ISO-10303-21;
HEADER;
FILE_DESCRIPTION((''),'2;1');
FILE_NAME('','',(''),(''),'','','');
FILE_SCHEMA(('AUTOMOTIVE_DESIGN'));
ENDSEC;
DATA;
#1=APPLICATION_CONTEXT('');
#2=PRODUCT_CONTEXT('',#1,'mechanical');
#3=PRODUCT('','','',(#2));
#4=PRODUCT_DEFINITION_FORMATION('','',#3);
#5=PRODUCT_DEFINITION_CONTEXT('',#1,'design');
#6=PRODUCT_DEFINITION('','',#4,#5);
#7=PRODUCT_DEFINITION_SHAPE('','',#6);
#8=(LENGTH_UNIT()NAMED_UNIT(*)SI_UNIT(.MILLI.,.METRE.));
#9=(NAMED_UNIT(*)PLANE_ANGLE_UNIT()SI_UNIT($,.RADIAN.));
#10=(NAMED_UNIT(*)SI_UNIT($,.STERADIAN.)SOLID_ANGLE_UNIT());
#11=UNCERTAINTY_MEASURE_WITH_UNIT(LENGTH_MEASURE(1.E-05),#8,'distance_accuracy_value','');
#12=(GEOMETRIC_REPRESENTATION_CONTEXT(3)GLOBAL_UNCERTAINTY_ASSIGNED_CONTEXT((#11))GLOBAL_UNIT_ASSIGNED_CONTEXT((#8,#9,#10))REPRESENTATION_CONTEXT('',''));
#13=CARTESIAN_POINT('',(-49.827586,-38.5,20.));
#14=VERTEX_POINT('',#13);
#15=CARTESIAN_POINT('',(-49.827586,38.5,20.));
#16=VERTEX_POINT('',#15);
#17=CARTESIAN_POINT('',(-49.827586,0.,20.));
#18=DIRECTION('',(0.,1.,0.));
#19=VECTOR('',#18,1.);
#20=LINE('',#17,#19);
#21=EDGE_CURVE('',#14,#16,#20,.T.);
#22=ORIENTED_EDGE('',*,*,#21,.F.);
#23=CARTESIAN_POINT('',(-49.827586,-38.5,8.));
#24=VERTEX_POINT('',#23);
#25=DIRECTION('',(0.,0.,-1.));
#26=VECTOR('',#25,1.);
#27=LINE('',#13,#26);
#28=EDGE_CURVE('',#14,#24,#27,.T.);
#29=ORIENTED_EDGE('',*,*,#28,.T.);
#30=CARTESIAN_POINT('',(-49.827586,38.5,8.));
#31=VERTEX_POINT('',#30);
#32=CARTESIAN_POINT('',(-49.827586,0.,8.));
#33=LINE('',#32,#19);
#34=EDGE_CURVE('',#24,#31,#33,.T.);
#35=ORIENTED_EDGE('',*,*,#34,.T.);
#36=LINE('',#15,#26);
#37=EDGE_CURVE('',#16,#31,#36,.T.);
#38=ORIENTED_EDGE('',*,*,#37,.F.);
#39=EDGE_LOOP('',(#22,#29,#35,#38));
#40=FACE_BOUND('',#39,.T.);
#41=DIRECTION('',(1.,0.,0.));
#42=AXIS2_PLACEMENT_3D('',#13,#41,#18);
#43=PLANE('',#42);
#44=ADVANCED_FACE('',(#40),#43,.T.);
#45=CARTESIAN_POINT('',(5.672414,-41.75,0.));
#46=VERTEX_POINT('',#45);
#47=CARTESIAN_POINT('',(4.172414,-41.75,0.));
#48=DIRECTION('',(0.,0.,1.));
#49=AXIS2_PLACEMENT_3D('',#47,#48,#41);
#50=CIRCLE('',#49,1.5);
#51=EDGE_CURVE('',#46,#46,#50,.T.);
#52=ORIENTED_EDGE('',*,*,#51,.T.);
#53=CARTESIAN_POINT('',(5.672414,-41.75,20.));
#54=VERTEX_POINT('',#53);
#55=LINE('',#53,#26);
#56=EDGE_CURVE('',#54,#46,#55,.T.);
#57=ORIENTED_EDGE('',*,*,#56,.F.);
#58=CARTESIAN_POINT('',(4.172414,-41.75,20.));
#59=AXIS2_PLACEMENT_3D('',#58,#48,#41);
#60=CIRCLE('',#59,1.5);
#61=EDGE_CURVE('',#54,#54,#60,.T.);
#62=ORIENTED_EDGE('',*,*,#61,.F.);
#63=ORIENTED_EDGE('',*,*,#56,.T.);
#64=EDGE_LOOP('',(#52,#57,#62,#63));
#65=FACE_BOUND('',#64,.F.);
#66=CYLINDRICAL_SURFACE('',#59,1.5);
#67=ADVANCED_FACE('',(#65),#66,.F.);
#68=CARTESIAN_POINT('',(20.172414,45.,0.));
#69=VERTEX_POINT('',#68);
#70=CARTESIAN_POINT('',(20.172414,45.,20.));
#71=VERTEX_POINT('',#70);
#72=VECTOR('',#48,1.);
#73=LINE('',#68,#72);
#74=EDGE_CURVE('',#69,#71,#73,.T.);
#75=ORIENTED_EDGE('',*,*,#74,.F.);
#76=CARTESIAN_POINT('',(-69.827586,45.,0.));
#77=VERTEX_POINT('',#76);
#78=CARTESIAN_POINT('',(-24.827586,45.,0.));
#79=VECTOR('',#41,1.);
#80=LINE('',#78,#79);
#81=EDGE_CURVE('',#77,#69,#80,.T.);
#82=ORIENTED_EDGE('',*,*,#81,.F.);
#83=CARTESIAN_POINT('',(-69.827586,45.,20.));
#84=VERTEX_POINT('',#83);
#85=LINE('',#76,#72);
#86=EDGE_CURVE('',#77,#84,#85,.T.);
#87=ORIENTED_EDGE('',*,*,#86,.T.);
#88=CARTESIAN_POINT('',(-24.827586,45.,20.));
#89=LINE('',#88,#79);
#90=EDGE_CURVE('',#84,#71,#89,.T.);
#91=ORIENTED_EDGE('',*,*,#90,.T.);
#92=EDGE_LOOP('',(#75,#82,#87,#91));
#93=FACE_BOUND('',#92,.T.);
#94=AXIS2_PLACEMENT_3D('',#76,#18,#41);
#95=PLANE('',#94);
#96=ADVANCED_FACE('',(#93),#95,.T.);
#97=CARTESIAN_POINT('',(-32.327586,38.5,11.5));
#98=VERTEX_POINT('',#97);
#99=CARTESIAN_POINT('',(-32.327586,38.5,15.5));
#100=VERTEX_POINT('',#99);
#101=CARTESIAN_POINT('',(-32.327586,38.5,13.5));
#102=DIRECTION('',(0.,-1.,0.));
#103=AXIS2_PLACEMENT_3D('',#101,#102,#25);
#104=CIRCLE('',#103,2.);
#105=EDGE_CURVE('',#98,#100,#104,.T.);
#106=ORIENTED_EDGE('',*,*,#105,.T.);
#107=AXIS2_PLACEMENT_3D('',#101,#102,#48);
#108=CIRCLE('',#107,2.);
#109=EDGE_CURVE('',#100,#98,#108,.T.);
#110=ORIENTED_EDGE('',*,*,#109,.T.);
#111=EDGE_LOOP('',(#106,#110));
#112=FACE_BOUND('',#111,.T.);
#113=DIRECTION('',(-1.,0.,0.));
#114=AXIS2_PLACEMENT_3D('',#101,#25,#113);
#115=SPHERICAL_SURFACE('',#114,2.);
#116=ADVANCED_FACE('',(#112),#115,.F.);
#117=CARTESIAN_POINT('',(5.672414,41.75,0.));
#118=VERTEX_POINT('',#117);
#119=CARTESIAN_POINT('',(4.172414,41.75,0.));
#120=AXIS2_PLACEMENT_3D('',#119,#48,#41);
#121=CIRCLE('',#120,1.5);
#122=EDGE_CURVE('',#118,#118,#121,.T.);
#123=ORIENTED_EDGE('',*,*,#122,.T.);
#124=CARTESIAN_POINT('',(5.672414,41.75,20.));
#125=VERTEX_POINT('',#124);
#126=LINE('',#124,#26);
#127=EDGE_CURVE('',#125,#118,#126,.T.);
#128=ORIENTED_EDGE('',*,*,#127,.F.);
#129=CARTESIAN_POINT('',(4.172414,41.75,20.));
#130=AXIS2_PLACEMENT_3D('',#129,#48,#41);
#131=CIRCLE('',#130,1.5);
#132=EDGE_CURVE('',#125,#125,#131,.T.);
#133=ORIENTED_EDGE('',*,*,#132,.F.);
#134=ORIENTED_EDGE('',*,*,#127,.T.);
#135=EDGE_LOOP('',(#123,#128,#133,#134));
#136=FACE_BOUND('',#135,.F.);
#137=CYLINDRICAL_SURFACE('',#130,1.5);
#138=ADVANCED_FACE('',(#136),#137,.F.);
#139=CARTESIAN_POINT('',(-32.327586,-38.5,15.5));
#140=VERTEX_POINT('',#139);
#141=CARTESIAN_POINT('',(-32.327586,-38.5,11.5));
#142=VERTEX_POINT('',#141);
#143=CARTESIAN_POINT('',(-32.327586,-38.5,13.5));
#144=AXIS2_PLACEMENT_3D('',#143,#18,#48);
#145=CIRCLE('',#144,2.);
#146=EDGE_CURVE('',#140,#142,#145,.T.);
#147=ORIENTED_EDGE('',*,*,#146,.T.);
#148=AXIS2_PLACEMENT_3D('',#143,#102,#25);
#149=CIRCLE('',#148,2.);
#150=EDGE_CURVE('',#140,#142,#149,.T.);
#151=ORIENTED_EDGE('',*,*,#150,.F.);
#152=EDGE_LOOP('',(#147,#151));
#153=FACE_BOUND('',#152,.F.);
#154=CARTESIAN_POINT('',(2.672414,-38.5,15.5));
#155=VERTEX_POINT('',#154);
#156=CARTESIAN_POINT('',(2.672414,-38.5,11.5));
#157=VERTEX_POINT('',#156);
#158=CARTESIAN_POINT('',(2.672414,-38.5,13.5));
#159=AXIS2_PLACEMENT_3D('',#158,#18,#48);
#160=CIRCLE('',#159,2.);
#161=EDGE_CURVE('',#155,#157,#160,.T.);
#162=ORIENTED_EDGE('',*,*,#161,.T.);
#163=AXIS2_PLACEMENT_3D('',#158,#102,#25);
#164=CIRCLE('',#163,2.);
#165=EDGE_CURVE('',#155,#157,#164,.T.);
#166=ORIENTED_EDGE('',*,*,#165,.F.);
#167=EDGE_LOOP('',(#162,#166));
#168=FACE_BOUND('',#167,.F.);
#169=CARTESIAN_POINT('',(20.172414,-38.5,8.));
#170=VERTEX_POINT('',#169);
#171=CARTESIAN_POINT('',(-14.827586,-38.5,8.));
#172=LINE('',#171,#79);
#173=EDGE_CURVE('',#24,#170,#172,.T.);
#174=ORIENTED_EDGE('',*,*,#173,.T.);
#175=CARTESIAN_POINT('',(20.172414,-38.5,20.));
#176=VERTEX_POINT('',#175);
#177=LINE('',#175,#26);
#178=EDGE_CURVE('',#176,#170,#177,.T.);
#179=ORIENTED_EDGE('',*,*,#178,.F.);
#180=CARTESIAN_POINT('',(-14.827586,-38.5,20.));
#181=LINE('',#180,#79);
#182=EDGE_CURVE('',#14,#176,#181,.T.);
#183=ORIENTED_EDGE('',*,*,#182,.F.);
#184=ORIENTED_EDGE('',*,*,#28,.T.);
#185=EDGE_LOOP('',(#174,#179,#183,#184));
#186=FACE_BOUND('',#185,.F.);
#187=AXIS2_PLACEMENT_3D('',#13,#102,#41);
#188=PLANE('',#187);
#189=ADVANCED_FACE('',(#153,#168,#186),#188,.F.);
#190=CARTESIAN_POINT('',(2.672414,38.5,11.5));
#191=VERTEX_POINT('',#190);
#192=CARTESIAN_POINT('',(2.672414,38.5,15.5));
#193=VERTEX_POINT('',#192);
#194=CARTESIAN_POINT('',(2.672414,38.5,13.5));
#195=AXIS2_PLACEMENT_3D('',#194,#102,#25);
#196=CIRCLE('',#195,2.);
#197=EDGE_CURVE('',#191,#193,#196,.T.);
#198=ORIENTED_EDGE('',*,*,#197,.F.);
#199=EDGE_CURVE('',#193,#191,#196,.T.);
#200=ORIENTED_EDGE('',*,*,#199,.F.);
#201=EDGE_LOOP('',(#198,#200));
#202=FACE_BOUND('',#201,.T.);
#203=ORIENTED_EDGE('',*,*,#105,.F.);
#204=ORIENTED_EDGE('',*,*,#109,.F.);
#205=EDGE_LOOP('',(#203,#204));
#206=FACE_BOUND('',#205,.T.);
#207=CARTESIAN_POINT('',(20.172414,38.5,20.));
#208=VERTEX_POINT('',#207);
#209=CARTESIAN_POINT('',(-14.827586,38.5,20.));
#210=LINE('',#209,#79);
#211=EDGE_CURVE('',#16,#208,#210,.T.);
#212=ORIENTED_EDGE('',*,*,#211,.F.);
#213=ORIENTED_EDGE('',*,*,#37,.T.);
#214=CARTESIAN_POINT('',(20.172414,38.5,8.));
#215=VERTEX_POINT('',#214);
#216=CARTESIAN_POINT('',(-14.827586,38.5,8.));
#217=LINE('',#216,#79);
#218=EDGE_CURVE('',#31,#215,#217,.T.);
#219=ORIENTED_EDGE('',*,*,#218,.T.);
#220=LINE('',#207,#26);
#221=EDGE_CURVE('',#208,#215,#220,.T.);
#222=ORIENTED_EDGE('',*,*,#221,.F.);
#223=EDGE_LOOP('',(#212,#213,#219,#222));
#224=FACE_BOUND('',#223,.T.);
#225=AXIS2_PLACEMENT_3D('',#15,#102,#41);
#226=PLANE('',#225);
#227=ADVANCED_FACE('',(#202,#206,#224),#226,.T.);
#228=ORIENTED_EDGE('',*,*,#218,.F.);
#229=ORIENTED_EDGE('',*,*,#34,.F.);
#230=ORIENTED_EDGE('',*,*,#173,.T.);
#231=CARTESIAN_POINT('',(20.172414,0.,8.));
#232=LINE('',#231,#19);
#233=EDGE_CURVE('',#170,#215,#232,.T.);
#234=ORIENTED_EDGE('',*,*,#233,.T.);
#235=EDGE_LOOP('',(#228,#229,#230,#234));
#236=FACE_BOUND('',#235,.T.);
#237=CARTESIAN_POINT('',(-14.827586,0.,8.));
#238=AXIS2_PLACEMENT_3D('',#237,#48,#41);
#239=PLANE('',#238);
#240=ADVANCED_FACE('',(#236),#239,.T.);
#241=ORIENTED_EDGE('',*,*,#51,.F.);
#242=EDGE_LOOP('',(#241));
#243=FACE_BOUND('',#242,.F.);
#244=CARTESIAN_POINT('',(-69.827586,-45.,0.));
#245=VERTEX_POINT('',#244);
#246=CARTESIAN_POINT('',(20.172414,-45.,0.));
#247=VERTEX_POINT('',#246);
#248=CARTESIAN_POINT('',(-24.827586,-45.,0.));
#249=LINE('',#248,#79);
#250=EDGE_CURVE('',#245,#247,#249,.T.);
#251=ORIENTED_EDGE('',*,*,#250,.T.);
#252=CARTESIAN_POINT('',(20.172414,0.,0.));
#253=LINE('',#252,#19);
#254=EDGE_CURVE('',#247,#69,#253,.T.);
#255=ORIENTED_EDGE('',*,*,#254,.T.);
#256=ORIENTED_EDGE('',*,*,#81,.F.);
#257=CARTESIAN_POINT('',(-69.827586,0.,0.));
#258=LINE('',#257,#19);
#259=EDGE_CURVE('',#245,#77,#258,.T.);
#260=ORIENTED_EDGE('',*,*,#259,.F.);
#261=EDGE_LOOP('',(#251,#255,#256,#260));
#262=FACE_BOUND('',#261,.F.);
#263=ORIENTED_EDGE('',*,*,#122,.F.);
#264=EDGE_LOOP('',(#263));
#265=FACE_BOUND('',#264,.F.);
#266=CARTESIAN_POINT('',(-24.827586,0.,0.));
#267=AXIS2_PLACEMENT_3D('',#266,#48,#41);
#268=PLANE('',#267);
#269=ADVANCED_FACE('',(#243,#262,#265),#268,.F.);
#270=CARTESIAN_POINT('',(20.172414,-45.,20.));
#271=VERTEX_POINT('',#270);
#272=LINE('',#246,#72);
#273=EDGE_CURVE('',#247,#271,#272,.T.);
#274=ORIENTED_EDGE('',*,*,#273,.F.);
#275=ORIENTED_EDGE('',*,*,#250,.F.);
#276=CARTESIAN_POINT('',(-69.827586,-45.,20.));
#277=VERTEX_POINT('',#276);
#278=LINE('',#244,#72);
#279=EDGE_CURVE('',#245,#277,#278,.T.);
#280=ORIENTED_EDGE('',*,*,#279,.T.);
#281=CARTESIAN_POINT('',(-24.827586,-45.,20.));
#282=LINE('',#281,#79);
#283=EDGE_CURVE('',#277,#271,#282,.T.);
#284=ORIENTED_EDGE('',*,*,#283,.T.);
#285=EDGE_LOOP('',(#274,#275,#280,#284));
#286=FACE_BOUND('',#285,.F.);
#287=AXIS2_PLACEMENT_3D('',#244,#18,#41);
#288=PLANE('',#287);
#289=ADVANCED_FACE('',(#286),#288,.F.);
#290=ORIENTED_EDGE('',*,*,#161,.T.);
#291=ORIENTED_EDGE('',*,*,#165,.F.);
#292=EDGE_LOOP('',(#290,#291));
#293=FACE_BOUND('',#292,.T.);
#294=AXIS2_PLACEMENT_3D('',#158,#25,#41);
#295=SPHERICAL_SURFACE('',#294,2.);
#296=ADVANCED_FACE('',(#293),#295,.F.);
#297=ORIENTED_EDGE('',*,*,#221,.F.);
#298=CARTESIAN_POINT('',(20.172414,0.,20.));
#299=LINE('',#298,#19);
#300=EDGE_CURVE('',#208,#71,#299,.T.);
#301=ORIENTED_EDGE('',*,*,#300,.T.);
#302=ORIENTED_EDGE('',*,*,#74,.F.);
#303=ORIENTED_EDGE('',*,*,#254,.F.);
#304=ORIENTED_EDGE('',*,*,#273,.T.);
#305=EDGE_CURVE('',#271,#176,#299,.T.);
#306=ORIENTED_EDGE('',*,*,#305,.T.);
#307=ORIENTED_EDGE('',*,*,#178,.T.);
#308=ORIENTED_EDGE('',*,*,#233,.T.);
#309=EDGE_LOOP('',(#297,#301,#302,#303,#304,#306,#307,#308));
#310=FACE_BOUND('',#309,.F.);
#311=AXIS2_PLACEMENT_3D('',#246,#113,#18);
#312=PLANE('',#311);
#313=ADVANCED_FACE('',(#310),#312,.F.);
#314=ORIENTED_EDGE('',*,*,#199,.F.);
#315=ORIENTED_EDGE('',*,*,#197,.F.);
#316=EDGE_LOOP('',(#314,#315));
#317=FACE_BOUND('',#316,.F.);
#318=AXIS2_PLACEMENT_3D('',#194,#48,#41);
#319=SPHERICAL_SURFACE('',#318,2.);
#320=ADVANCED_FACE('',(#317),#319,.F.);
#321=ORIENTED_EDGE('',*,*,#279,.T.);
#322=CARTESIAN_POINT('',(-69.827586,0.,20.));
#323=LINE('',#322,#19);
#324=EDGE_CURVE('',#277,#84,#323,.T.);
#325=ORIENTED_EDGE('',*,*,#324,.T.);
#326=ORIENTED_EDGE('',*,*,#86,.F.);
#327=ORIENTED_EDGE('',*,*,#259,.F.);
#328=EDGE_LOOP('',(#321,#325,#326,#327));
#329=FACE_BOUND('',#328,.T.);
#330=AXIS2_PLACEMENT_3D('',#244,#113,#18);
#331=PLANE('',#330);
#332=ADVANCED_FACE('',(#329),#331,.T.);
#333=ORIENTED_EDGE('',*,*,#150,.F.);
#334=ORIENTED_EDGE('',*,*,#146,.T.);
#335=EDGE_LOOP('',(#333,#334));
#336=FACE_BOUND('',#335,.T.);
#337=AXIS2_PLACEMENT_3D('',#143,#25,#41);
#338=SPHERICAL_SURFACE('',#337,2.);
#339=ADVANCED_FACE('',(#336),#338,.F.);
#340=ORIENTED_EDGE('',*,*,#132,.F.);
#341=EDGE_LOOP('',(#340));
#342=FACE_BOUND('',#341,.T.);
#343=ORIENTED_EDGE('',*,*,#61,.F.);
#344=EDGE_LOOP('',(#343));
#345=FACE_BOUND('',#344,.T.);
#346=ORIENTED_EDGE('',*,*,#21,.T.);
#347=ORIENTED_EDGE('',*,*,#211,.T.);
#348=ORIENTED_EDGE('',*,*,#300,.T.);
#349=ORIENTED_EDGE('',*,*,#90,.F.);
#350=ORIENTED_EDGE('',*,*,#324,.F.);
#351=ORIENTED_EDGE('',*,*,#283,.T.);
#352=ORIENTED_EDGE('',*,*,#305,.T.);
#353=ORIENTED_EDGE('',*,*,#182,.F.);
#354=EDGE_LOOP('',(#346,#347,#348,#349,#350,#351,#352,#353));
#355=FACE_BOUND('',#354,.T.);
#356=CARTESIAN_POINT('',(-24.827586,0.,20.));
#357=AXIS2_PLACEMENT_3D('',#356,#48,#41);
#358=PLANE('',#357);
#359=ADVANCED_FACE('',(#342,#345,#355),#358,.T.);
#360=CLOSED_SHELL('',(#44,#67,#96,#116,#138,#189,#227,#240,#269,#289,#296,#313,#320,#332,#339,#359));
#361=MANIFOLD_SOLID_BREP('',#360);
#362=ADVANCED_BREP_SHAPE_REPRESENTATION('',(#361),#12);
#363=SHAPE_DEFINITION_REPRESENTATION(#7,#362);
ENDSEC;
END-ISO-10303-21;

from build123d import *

# Parameters (mm, degrees)
F0_W      = 90
F0_H      = 90
F1_DEPTH  = 20
F2_W      = 70
F2_H      = 77
F3_DEPTH  = 12
F12_R     = 1.5
F13_DEPTH = 25


with BuildPart() as f1:
    # F0 (on Top) → F1 (new body)
    with BuildSketch(Plane.XY):
        with Locations((-24.827586, 0)):
            Rectangle(F0_W, F0_H)
    extrude(amount=F1_DEPTH)

    # F2 (on face) → F3 (cut)
    with BuildSketch(Plane.XY.offset(20)):
        with Locations((-14.827586, 0)):
            Rectangle(F2_W, F2_H)
    extrude(amount=-F3_DEPTH, mode=Mode.SUBTRACT)

    # F4 (on face) → F5 (revolve, cut)
    with BuildSketch(Plane(origin=(0, -38.5, 0), x_dir=(-1, 0, 0), z_dir=(0, 1, 0))):
        with BuildLine():
            Line((32.327586, 11.5), (32.327586, 15.5))
            ThreePointArc((32.327586, 15.5), (30.327586, 13.5), (32.327586, 11.5))
        make_face()
    revolve(axis=Axis((-32.327586, -38.5, 13.5), (0, 0, 1)), mode=Mode.SUBTRACT)

    # F6 (on face) → F7 (revolve, cut)
    with BuildSketch(Plane(origin=(0, -38.5, 0), x_dir=(-1, 0, 0), z_dir=(0, 1, 0))):
        with BuildLine():
            Line((-2.672414, 11.5), (-2.672414, 15.5))
            ThreePointArc((-2.672414, 15.5), (-4.672414, 13.5), (-2.672414, 11.5))
        make_face()
    revolve(axis=Axis((2.672414, -38.5, 13.5), (0, 0, 1)), mode=Mode.SUBTRACT)

    # F8 (on face) → F9 (revolve, cut)
    with BuildSketch(Plane.XZ.offset(-38.5)):
        with BuildLine():
            Line((2.672414, 15.5), (2.672414, 11.5))
            ThreePointArc((2.672414, 11.5), (4.672414, 13.5), (2.672414, 15.5))
        make_face()
    revolve(axis=Axis((2.672414, 38.5, 13.5), (0, 0, 1)), mode=Mode.SUBTRACT)

    # F10 (on face) → F11 (revolve, cut)
    with BuildSketch(Plane.XZ.offset(-38.5)):
        with BuildLine():
            Line((-32.327586, 11.5), (-32.327586, 15.5))
            ThreePointArc((-32.327586, 15.5), (-34.327586, 13.5), (-32.327586, 11.5))
        make_face()
    revolve(axis=Axis((-32.327586, 38.5, 13.5), (0, 0, 1)), mode=Mode.SUBTRACT)

    # F12 (on face) → F13 (cut)
    with BuildSketch(Plane.XY.offset(20)):
        with Locations((4.172414, -41.75)):
            Circle(F12_R)
        with Locations((4.172414, 41.75)):
            Circle(F12_R)
    extrude(amount=-F13_DEPTH, mode=Mode.SUBTRACT)


solid = f1.part
